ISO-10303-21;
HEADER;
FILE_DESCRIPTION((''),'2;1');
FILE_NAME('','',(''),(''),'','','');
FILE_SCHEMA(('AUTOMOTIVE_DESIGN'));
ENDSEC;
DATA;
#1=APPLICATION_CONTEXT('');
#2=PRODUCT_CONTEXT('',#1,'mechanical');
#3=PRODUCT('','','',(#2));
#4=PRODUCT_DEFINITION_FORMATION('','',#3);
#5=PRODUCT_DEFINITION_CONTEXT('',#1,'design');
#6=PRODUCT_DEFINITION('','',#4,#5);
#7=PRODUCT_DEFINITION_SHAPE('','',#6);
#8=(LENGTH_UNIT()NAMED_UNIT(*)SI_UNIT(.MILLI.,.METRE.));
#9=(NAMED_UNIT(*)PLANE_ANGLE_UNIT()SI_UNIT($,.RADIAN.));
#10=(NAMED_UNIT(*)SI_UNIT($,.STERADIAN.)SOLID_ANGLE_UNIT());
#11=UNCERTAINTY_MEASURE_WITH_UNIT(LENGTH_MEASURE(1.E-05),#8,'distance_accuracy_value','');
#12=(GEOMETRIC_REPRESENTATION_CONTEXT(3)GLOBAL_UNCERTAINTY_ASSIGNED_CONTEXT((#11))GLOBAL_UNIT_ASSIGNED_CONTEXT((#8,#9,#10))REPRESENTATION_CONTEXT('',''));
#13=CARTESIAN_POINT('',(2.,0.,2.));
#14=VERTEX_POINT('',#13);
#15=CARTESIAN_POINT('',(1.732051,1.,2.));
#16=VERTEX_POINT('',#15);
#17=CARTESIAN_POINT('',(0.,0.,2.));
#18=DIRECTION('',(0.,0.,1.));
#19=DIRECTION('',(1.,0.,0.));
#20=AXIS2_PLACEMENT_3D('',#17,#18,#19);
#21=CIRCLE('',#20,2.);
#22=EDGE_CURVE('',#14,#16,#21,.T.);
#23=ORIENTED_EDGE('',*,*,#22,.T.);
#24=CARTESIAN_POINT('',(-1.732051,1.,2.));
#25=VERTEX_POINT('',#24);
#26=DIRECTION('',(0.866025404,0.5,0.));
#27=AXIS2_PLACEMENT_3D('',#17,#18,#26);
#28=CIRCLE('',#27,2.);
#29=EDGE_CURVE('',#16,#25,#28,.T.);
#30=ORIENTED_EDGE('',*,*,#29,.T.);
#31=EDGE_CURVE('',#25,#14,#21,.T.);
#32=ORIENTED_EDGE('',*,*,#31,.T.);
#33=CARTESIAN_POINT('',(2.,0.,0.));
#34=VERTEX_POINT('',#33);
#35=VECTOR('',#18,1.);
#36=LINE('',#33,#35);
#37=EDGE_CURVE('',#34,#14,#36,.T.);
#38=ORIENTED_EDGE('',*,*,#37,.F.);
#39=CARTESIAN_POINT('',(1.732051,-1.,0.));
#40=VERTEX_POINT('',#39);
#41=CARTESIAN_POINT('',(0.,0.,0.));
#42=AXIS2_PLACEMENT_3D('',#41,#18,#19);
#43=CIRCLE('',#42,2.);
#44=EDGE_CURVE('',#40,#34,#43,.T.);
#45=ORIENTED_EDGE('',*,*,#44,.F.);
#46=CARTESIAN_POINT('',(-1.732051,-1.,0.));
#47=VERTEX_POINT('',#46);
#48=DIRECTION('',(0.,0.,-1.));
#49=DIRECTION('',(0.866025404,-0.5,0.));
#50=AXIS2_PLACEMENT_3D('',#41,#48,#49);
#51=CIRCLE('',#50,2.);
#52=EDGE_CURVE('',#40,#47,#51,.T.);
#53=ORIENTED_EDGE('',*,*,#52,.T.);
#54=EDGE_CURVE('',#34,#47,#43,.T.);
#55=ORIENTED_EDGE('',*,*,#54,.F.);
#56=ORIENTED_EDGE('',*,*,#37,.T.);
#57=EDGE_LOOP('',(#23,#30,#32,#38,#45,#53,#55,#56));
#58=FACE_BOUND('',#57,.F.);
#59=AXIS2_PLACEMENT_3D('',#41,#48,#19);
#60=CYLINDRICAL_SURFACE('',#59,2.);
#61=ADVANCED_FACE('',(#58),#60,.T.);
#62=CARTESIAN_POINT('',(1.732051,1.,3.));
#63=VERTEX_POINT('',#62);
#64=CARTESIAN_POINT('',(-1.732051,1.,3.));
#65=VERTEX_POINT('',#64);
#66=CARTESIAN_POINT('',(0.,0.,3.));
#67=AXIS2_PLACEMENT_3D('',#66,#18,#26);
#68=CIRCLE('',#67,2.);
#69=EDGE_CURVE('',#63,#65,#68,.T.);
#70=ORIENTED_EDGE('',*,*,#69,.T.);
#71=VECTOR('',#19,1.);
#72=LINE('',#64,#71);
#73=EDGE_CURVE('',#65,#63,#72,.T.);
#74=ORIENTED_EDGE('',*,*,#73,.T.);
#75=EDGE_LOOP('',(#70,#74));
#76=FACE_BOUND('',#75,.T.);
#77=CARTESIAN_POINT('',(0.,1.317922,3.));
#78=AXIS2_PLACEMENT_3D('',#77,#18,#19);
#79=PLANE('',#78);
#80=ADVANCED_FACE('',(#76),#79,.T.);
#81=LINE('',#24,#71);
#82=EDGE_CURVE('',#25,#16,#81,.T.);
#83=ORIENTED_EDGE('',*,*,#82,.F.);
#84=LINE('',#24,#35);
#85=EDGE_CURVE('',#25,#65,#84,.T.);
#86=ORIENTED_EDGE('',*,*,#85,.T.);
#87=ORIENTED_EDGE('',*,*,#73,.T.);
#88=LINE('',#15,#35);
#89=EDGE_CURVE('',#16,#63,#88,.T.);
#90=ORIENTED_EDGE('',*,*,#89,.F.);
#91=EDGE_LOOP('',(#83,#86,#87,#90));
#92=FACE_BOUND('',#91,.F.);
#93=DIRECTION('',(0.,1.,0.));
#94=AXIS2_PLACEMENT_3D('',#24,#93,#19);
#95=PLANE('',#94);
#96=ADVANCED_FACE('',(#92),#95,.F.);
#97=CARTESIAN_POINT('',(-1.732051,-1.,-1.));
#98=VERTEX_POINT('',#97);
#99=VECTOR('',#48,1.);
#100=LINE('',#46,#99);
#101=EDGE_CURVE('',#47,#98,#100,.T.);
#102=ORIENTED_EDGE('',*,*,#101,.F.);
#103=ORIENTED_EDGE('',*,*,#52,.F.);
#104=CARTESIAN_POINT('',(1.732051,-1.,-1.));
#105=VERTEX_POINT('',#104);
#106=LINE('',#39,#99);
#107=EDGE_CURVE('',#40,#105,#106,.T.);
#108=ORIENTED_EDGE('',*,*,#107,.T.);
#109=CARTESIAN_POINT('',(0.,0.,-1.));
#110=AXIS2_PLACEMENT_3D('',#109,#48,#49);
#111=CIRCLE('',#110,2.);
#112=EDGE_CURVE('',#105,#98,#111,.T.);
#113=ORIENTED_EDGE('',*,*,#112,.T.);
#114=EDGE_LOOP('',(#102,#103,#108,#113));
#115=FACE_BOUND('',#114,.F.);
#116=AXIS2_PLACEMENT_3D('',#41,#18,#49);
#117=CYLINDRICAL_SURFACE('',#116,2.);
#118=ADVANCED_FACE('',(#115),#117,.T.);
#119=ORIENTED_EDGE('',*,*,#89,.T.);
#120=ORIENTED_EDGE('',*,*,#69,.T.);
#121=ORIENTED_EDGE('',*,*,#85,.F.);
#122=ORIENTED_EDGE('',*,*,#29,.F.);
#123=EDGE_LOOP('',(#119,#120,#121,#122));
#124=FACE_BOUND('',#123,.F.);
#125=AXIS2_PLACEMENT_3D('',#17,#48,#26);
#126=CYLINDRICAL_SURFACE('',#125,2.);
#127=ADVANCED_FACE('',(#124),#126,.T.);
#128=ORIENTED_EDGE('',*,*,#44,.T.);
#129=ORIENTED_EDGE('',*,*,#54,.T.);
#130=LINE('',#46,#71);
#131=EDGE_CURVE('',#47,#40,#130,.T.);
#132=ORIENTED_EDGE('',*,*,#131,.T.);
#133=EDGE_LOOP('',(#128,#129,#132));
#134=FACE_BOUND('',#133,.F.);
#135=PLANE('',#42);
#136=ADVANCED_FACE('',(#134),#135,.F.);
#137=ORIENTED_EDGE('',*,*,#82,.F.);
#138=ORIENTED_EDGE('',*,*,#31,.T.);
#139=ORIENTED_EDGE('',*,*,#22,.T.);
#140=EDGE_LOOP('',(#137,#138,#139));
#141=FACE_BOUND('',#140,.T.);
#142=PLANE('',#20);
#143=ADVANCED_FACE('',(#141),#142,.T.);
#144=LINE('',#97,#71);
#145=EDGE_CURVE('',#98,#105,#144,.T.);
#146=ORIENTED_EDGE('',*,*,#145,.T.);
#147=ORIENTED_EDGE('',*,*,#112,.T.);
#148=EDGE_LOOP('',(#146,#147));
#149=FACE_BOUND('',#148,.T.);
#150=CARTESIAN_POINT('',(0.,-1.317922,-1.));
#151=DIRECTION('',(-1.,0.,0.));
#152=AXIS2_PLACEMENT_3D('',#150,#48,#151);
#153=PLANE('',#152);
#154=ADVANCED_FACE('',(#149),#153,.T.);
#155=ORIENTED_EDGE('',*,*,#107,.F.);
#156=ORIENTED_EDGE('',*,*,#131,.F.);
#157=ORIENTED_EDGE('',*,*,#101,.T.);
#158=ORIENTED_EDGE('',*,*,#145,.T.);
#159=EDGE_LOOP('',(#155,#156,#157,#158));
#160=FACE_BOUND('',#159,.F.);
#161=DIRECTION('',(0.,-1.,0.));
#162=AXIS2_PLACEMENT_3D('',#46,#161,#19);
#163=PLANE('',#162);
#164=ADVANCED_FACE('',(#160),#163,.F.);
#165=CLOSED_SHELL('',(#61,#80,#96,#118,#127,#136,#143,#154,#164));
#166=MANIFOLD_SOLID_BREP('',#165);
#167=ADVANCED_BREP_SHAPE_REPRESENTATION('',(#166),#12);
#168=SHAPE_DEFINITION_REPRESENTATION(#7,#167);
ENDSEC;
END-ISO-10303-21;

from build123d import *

# Parameters (mm, degrees)
SKETCH1_R           = 2
BOSS_EXTRUDE1_DEPTH = 2
BOSS_EXTRUDE2_DEPTH = 1
BOSS_EXTRUDE3_DEPTH = 1


with BuildPart() as part:
    # Sketch1 → Boss-Extrude1 (new body)
    with BuildSketch(Plane.XY):
        Circle(SKETCH1_R)
    extrude(amount=BOSS_EXTRUDE1_DEPTH)

    # Sketch2 → Boss-Extrude2 (add)
    with BuildSketch(Plane.XY.offset(2)):
        with BuildLine():
            Line((-1.732050808, 1), (1.732050808, 1))
            ThreePointArc((1.732050808, 1), (0, 2), (-1.732050808, 1))
        make_face()
    extrude(amount=BOSS_EXTRUDE2_DEPTH)

    # Sketch3 → Boss-Extrude3 (add)
    with BuildSketch(Plane(origin=(0, 0, 0), x_dir=(-1, 0, 0), z_dir=(0, 0, -1))):
        with BuildLine():
            Line((1.732050808, -1), (-1.732050808, -1))
            ThreePointArc((-1.732050808, -1), (0, -2), (1.732050808, -1))
        make_face()
    extrude(amount=BOSS_EXTRUDE3_DEPTH)


solid = part.part
